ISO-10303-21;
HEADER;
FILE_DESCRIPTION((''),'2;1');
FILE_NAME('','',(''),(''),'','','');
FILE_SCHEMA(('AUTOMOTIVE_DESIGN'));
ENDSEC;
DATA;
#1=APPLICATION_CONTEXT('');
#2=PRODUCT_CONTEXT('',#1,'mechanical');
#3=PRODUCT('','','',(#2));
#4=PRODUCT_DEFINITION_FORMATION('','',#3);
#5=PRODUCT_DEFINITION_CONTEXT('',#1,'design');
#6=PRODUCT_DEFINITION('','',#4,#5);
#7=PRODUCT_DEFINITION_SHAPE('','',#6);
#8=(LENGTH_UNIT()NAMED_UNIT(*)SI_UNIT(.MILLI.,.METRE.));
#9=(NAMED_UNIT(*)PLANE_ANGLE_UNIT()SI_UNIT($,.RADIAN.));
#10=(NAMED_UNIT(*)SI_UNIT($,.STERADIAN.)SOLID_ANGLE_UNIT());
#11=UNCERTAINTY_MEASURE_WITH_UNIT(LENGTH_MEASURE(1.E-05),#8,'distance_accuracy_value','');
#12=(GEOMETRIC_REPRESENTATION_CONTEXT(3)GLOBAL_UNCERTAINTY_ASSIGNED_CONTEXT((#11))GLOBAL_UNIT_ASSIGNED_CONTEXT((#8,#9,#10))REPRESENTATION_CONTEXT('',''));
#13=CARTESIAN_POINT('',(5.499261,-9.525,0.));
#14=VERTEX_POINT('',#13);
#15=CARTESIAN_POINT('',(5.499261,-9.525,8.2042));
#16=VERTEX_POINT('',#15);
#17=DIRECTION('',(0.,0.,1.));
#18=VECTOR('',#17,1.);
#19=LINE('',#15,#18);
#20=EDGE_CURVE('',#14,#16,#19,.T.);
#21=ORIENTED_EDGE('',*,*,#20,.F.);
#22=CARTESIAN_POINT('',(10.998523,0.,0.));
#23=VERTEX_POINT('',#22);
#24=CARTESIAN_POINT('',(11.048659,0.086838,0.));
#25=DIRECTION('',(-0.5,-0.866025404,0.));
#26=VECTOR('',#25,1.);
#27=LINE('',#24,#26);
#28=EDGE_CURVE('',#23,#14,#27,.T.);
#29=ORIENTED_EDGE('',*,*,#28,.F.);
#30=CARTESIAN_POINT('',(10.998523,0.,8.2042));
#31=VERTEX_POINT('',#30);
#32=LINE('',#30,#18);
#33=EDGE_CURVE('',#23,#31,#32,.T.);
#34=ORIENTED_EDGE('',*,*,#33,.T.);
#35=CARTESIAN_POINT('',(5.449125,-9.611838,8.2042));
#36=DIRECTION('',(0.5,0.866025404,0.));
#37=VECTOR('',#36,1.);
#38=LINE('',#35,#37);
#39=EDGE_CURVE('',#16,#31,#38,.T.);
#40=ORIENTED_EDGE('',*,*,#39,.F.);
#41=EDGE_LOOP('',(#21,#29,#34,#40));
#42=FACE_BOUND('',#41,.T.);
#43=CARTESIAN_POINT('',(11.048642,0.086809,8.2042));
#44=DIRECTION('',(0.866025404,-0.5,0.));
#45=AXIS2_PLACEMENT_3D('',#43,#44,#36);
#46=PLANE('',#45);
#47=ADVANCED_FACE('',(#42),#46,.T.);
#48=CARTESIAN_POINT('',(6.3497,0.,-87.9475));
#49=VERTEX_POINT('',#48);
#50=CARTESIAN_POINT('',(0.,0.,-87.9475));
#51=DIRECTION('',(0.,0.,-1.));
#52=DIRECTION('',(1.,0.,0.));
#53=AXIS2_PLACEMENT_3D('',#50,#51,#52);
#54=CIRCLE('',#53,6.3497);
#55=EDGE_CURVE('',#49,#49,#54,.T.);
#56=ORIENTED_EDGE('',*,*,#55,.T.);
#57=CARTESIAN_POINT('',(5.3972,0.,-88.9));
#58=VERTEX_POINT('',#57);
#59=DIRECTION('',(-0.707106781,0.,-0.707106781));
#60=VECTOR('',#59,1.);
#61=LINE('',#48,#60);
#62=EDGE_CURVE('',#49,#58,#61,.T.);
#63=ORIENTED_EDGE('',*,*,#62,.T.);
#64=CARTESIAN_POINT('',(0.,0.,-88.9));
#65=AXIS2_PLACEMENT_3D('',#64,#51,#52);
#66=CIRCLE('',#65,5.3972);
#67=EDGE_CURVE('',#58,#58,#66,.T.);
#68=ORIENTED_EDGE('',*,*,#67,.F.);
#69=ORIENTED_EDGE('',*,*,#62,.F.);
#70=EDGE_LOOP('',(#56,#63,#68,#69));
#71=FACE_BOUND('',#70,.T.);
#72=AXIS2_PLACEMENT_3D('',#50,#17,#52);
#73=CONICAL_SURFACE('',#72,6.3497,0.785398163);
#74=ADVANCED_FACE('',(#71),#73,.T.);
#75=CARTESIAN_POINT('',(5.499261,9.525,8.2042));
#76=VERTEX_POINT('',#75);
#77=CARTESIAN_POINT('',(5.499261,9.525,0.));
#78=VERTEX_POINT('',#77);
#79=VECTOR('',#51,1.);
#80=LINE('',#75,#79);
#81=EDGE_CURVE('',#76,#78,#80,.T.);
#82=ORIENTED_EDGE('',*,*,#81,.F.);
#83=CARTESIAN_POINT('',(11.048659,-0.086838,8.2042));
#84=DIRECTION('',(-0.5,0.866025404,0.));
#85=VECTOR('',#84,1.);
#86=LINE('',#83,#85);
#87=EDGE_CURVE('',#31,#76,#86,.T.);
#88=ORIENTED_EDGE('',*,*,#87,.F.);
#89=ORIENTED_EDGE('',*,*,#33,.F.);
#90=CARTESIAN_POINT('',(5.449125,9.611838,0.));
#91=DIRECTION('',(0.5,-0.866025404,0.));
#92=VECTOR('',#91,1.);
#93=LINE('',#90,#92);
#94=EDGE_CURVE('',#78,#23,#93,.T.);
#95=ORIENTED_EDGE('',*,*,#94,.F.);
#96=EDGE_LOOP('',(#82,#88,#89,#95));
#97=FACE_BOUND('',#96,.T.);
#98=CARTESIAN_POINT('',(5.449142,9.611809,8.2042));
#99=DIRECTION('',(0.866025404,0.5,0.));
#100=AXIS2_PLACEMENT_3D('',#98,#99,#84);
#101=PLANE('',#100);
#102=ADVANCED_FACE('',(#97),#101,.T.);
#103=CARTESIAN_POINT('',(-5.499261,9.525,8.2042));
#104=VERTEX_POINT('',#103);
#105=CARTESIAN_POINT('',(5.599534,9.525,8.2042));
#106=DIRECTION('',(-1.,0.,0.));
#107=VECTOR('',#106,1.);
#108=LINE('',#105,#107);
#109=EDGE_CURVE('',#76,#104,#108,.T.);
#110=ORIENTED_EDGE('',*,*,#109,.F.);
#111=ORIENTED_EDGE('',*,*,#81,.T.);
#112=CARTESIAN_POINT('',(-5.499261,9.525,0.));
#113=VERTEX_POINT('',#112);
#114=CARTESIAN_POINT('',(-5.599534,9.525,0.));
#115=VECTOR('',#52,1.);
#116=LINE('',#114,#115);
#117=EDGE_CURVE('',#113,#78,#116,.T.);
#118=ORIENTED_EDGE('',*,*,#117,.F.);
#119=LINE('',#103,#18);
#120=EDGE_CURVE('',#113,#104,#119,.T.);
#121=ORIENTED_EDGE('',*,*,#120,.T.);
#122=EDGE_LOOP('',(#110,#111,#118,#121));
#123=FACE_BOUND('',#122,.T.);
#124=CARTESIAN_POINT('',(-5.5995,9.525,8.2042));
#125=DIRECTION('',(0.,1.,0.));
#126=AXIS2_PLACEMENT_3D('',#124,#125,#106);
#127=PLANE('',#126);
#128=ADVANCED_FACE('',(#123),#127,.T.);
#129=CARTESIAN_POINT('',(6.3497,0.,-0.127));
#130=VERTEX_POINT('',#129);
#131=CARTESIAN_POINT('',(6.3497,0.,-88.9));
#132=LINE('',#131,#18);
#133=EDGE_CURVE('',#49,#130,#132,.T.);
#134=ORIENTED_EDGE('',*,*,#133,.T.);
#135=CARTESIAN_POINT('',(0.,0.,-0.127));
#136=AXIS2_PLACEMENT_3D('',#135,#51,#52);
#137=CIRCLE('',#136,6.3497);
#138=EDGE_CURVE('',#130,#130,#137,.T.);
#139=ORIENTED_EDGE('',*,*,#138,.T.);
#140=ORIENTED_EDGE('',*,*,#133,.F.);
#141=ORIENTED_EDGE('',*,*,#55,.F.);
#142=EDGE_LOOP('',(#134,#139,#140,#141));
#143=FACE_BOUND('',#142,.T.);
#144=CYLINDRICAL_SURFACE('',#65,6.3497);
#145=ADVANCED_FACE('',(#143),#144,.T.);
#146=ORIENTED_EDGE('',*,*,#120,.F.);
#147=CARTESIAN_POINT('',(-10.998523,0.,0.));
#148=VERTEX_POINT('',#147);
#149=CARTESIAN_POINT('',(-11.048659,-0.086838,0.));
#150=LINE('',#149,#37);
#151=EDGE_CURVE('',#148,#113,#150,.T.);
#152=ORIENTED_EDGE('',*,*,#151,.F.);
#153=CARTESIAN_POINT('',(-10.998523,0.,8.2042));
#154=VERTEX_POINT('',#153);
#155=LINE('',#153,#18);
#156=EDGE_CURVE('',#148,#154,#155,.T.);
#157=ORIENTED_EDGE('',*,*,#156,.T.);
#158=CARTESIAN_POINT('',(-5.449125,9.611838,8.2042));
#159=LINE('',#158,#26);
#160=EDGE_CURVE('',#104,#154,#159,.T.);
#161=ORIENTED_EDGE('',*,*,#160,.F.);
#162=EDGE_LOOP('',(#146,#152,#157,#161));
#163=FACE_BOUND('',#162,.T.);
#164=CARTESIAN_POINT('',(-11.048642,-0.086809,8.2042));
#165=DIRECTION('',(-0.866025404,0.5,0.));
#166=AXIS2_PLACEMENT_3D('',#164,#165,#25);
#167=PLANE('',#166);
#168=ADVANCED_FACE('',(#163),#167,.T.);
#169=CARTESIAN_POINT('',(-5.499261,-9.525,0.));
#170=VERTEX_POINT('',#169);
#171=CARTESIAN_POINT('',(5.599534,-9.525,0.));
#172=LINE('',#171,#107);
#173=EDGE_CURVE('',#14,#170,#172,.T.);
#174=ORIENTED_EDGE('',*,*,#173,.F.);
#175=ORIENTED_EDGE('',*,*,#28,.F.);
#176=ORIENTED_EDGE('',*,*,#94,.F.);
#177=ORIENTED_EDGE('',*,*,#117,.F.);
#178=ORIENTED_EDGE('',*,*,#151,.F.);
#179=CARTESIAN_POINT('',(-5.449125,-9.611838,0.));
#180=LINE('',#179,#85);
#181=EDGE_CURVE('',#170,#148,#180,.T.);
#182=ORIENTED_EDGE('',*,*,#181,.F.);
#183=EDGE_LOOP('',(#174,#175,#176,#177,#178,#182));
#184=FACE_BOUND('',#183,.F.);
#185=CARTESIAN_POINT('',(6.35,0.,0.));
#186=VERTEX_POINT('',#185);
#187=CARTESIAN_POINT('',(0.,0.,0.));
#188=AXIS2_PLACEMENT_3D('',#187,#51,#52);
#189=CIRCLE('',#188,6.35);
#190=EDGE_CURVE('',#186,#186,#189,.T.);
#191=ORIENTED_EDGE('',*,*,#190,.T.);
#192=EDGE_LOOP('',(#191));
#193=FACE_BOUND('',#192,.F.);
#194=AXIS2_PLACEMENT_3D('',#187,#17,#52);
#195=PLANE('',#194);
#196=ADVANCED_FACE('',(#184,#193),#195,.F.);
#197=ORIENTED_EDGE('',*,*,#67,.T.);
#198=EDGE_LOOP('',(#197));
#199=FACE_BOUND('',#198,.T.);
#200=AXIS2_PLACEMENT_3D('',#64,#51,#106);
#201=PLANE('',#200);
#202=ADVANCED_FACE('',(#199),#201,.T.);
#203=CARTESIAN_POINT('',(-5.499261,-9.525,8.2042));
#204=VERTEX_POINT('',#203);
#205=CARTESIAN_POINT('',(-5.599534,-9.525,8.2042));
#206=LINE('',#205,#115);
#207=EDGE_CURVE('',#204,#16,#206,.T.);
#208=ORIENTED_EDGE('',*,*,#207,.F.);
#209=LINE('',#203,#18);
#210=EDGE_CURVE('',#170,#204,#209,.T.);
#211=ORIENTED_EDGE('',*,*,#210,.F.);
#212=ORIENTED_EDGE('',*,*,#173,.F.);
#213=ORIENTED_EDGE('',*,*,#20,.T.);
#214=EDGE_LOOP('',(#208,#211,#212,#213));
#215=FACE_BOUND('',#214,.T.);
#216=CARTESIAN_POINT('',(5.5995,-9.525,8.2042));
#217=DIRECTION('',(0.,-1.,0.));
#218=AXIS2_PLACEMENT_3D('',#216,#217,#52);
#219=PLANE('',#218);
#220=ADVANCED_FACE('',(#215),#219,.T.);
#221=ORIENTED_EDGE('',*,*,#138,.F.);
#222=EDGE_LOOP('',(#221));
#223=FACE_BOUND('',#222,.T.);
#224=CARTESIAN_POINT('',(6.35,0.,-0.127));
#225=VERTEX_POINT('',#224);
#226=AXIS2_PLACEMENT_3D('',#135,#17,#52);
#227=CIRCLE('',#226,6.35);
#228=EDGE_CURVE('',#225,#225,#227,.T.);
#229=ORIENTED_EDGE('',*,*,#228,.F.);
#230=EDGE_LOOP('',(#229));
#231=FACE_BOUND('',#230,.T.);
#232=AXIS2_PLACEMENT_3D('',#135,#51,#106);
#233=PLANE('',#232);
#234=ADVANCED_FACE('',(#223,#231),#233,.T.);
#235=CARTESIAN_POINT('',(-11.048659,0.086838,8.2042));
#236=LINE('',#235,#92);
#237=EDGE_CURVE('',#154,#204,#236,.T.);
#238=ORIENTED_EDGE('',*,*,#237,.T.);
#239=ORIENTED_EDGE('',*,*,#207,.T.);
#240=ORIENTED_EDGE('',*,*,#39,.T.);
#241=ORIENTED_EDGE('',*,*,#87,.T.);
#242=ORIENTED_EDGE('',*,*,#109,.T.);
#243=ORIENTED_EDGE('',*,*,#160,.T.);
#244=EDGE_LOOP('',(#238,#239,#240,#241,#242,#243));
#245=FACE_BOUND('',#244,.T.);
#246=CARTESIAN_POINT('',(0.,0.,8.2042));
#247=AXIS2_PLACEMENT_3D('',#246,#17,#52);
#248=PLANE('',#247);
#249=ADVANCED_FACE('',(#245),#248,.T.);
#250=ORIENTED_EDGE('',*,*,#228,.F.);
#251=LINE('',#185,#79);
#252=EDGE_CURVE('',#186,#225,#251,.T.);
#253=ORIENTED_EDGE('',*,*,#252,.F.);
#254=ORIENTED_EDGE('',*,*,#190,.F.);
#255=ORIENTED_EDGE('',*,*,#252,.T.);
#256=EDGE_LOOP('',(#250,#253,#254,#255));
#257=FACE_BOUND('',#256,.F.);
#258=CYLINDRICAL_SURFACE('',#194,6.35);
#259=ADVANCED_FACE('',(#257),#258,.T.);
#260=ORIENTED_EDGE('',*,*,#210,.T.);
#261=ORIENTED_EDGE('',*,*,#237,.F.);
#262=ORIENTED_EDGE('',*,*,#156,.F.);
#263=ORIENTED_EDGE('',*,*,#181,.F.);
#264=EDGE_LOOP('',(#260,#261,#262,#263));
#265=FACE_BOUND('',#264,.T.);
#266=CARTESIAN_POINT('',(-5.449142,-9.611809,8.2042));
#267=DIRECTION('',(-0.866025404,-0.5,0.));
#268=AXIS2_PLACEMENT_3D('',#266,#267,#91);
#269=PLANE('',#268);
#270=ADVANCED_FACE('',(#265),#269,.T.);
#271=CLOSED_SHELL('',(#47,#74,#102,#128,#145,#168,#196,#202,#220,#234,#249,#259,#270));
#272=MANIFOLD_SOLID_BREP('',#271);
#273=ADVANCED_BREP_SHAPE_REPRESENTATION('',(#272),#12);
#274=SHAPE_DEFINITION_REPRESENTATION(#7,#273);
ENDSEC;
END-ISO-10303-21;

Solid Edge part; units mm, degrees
sketch "Sketch1" plane through (0, 0, 0) normal (0, 0, 1) x (1, 0, 0)
  circle A0 centre (0, 0) radius 11.049
  dimension "D1" = 22.098
extrude "Protrusion1" add sketch "Sketch1" along normal blind 8.2042
sketch "Sketch2" plane through (0, 0, 0) normal (0, 0, -1) x (1, 0, 0)
  circle A0 centre (0, 0) radius 6.35
extrude "Protrusion2" add sketch "Sketch2" along normal blind 88.9
sketch "Sketch3" plane through (0, 0, -88.9) normal (0, 0, -1) x (1, 0, 0)
  circle A0 centre (0, 0) radius 6.3497
extrude "Cutout1" cut sketch "Sketch3" against normal blind 88.773 flip side to cut
chamfer "Chamfer_1" distance 0.9525 angle 45 1 edges at (-6.3497, 0, -88.9)
sketch "Sketch4" plane through (0, 0, 8.2042) normal (0, 0, 1) x (1, 0, 0)
  line L0 (-5.5995, 9.525) -> (5.5995, 9.525)
  dimension "D1" = 19.05
extrude "Cutout2" cut sketch "Sketch4" against normal up to next material side at (0, 9.575, 8.2042)
pattern_circular "Pattern1" count 6 over 360 about axis through (0, 0, 8.2042) along (0, 0, 1) of "Cutout2"
properties part number "183747"
